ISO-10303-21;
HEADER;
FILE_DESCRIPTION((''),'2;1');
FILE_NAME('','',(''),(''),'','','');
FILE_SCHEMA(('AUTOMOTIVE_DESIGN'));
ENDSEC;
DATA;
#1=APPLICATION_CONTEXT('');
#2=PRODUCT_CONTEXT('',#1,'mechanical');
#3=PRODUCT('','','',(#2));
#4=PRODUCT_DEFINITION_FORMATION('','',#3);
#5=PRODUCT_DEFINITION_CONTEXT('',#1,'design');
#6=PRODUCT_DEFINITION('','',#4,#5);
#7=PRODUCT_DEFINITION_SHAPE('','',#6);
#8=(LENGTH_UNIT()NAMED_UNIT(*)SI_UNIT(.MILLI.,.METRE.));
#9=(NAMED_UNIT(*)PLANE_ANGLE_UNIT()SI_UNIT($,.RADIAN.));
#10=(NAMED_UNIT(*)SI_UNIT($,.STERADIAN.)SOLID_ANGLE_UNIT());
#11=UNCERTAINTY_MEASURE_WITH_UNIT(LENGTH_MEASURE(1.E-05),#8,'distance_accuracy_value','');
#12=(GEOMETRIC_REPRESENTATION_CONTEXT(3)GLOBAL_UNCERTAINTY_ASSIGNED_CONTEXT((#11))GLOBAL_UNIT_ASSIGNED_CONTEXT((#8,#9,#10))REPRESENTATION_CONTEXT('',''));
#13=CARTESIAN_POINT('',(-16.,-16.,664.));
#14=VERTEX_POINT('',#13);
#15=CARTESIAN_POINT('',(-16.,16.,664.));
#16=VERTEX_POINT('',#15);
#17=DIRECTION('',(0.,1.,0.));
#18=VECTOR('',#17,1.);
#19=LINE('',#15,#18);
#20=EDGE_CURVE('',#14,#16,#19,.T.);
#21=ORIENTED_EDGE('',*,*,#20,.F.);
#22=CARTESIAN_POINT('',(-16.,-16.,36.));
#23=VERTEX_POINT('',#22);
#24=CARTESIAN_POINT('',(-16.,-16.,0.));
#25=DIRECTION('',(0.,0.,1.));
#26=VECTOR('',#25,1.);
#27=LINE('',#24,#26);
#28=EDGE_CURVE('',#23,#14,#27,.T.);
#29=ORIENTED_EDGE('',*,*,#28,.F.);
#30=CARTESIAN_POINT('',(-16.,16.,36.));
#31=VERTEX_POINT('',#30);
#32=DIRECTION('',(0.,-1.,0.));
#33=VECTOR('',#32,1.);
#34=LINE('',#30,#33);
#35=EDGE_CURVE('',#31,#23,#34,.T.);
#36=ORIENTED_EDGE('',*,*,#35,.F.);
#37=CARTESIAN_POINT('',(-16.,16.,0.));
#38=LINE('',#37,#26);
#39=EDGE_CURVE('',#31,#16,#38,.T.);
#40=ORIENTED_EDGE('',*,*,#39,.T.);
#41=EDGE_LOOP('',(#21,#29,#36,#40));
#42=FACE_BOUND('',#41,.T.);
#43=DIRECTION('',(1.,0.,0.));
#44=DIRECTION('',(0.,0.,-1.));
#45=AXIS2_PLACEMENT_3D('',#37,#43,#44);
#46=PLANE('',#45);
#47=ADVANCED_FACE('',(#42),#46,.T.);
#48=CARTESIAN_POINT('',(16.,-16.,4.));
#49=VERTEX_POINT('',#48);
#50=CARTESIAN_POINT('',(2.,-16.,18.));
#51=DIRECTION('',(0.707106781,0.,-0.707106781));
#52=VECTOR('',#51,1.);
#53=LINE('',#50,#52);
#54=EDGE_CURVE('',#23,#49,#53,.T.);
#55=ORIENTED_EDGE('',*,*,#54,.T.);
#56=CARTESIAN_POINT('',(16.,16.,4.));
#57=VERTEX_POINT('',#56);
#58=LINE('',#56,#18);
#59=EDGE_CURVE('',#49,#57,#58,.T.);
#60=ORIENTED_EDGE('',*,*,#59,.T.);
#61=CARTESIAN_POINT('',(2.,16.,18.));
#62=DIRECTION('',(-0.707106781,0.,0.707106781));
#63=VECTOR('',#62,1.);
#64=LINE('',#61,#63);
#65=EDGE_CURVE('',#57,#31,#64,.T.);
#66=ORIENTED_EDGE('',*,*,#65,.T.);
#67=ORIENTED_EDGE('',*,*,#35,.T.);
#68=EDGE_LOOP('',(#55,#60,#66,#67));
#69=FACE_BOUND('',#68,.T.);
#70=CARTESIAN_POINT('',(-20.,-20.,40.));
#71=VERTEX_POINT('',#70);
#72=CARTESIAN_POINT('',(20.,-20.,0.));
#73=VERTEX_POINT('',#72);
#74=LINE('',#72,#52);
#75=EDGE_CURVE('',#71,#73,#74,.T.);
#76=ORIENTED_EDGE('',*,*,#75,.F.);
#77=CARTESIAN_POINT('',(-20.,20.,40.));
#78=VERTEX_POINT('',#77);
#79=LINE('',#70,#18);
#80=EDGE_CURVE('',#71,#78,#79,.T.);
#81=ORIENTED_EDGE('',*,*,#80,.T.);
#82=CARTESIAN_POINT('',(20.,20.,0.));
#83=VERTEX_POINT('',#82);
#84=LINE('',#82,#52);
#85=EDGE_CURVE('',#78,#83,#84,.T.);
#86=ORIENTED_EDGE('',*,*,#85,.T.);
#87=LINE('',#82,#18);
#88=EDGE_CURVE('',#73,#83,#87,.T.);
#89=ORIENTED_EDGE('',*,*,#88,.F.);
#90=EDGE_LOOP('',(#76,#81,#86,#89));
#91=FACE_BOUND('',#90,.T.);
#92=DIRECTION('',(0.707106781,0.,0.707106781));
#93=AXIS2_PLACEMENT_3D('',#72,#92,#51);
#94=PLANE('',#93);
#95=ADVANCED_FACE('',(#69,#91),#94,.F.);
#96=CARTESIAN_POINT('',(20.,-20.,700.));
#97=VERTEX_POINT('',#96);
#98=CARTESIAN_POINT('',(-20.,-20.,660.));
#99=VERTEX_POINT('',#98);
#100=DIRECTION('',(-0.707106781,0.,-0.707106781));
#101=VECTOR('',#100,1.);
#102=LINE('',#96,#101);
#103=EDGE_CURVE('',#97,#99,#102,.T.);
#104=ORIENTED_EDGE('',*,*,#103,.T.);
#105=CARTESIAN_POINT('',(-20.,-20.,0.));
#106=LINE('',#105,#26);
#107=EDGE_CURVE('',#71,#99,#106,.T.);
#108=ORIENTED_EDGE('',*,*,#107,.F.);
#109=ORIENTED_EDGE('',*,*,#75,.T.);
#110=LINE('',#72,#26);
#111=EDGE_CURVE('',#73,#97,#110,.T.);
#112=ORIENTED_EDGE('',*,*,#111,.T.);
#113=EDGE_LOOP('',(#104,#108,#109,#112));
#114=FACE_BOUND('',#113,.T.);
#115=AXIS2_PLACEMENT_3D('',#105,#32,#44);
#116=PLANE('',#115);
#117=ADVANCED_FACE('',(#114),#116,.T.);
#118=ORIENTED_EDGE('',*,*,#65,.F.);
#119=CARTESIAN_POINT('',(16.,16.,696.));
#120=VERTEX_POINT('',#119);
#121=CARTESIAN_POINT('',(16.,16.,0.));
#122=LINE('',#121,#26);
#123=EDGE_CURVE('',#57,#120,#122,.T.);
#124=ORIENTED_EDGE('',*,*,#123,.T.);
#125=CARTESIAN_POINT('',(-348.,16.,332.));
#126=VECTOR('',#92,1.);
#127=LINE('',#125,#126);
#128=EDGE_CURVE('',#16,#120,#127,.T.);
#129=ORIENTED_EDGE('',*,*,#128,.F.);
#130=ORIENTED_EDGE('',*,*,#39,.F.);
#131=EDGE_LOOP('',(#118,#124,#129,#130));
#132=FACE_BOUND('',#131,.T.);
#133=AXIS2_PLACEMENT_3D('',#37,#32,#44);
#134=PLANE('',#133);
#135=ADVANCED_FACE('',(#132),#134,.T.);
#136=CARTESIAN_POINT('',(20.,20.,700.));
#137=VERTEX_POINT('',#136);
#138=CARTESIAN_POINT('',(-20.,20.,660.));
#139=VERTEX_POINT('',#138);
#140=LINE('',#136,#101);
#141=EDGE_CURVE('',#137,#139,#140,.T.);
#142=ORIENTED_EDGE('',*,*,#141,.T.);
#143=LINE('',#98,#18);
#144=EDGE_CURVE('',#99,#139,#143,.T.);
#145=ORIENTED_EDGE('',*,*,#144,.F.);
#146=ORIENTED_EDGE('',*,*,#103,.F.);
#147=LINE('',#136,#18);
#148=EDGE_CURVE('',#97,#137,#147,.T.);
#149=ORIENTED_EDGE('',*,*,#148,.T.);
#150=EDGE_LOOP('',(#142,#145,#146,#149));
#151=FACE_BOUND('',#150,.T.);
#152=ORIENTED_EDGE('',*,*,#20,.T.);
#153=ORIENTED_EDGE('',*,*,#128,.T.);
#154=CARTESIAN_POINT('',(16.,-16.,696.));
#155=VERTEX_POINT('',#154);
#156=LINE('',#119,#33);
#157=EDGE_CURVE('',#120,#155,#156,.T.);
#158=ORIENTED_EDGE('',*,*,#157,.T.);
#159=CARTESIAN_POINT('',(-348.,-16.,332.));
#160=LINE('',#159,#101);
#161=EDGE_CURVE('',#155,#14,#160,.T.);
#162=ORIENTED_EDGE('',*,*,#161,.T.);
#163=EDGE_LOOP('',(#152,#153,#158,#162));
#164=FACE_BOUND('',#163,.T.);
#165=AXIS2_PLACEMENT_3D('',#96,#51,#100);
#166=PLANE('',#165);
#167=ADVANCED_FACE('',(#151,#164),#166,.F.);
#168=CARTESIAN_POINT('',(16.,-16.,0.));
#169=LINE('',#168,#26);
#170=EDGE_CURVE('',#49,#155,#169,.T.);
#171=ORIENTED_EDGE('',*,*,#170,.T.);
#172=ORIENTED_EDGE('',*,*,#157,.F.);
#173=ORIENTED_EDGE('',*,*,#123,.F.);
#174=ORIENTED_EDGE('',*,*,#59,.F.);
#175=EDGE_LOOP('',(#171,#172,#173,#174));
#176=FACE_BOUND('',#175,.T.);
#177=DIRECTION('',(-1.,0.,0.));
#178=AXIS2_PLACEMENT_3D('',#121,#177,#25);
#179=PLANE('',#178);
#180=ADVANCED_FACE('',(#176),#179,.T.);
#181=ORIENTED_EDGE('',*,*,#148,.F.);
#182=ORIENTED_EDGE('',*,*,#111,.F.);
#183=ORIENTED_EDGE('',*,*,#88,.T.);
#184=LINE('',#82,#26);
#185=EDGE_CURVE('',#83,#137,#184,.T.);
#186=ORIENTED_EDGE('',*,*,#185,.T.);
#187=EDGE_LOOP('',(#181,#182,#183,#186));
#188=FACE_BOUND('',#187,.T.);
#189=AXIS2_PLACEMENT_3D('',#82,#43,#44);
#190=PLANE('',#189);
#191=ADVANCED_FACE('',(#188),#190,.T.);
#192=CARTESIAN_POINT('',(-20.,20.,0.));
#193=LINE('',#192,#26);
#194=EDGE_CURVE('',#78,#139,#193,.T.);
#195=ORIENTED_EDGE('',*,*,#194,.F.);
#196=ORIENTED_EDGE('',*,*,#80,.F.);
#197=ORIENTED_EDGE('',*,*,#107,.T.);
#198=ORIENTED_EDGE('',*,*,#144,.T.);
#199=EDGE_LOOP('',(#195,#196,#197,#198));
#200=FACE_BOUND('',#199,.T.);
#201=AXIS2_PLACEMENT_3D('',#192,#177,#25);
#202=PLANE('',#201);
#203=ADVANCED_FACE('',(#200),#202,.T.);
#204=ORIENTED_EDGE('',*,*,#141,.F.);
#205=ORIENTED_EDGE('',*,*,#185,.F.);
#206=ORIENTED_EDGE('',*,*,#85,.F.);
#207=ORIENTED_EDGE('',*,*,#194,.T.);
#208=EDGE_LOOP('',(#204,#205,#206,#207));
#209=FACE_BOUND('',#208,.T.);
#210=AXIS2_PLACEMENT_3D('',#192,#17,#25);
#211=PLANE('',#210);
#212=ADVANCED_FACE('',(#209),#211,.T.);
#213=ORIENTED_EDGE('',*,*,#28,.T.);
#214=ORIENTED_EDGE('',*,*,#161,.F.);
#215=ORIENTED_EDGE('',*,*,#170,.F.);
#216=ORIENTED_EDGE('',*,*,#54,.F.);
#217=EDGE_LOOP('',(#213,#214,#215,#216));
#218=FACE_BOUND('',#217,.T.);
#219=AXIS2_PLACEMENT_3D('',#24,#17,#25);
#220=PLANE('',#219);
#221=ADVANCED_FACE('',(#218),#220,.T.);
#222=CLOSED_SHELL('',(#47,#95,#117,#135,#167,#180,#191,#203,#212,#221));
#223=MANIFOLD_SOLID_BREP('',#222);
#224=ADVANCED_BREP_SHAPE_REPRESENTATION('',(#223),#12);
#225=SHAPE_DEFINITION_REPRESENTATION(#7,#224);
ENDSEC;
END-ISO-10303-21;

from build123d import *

# Parameters (mm, degrees)
SKETCH1_W          = 40
SKETCH1_H          = 40
SKETCH1_W_2        = 32
SKETCH1_H_2        = 32
CUT_EXTRUDE1_DEPTH = 41.0000001


with BuildPart() as part:
    # Sweep1: sweep along a curve in space
    with BuildLine() as sweep1_path:
        add(Edge.make_bspline(
            [(0, 0, 0), (0, 0, 700)],
            knots=[0, 0, 1, 1], degree=1))
    # Sketch1 → Sweep1 (sweep)
    with BuildSketch(Plane.XY):
        Rectangle(SKETCH1_W, SKETCH1_H)
        Rectangle(SKETCH1_W_2, SKETCH1_H_2, mode=Mode.SUBTRACT)
    sweep(path=sweep1_path.line)

    # Sketch2 → Cut-Extrude1 (cut, through all)
    with BuildSketch(Plane(origin=(0, 20, 0), x_dir=(1, 0, 0), z_dir=(0, 1, 0))):
        Polygon((20, 0), (-20, -40), (-20, 0), align=None)
        Polygon((20, -700), (-20, -660), (-20, -700), align=None)
    extrude(amount=-CUT_EXTRUDE1_DEPTH, mode=Mode.SUBTRACT)


solid = part.part
